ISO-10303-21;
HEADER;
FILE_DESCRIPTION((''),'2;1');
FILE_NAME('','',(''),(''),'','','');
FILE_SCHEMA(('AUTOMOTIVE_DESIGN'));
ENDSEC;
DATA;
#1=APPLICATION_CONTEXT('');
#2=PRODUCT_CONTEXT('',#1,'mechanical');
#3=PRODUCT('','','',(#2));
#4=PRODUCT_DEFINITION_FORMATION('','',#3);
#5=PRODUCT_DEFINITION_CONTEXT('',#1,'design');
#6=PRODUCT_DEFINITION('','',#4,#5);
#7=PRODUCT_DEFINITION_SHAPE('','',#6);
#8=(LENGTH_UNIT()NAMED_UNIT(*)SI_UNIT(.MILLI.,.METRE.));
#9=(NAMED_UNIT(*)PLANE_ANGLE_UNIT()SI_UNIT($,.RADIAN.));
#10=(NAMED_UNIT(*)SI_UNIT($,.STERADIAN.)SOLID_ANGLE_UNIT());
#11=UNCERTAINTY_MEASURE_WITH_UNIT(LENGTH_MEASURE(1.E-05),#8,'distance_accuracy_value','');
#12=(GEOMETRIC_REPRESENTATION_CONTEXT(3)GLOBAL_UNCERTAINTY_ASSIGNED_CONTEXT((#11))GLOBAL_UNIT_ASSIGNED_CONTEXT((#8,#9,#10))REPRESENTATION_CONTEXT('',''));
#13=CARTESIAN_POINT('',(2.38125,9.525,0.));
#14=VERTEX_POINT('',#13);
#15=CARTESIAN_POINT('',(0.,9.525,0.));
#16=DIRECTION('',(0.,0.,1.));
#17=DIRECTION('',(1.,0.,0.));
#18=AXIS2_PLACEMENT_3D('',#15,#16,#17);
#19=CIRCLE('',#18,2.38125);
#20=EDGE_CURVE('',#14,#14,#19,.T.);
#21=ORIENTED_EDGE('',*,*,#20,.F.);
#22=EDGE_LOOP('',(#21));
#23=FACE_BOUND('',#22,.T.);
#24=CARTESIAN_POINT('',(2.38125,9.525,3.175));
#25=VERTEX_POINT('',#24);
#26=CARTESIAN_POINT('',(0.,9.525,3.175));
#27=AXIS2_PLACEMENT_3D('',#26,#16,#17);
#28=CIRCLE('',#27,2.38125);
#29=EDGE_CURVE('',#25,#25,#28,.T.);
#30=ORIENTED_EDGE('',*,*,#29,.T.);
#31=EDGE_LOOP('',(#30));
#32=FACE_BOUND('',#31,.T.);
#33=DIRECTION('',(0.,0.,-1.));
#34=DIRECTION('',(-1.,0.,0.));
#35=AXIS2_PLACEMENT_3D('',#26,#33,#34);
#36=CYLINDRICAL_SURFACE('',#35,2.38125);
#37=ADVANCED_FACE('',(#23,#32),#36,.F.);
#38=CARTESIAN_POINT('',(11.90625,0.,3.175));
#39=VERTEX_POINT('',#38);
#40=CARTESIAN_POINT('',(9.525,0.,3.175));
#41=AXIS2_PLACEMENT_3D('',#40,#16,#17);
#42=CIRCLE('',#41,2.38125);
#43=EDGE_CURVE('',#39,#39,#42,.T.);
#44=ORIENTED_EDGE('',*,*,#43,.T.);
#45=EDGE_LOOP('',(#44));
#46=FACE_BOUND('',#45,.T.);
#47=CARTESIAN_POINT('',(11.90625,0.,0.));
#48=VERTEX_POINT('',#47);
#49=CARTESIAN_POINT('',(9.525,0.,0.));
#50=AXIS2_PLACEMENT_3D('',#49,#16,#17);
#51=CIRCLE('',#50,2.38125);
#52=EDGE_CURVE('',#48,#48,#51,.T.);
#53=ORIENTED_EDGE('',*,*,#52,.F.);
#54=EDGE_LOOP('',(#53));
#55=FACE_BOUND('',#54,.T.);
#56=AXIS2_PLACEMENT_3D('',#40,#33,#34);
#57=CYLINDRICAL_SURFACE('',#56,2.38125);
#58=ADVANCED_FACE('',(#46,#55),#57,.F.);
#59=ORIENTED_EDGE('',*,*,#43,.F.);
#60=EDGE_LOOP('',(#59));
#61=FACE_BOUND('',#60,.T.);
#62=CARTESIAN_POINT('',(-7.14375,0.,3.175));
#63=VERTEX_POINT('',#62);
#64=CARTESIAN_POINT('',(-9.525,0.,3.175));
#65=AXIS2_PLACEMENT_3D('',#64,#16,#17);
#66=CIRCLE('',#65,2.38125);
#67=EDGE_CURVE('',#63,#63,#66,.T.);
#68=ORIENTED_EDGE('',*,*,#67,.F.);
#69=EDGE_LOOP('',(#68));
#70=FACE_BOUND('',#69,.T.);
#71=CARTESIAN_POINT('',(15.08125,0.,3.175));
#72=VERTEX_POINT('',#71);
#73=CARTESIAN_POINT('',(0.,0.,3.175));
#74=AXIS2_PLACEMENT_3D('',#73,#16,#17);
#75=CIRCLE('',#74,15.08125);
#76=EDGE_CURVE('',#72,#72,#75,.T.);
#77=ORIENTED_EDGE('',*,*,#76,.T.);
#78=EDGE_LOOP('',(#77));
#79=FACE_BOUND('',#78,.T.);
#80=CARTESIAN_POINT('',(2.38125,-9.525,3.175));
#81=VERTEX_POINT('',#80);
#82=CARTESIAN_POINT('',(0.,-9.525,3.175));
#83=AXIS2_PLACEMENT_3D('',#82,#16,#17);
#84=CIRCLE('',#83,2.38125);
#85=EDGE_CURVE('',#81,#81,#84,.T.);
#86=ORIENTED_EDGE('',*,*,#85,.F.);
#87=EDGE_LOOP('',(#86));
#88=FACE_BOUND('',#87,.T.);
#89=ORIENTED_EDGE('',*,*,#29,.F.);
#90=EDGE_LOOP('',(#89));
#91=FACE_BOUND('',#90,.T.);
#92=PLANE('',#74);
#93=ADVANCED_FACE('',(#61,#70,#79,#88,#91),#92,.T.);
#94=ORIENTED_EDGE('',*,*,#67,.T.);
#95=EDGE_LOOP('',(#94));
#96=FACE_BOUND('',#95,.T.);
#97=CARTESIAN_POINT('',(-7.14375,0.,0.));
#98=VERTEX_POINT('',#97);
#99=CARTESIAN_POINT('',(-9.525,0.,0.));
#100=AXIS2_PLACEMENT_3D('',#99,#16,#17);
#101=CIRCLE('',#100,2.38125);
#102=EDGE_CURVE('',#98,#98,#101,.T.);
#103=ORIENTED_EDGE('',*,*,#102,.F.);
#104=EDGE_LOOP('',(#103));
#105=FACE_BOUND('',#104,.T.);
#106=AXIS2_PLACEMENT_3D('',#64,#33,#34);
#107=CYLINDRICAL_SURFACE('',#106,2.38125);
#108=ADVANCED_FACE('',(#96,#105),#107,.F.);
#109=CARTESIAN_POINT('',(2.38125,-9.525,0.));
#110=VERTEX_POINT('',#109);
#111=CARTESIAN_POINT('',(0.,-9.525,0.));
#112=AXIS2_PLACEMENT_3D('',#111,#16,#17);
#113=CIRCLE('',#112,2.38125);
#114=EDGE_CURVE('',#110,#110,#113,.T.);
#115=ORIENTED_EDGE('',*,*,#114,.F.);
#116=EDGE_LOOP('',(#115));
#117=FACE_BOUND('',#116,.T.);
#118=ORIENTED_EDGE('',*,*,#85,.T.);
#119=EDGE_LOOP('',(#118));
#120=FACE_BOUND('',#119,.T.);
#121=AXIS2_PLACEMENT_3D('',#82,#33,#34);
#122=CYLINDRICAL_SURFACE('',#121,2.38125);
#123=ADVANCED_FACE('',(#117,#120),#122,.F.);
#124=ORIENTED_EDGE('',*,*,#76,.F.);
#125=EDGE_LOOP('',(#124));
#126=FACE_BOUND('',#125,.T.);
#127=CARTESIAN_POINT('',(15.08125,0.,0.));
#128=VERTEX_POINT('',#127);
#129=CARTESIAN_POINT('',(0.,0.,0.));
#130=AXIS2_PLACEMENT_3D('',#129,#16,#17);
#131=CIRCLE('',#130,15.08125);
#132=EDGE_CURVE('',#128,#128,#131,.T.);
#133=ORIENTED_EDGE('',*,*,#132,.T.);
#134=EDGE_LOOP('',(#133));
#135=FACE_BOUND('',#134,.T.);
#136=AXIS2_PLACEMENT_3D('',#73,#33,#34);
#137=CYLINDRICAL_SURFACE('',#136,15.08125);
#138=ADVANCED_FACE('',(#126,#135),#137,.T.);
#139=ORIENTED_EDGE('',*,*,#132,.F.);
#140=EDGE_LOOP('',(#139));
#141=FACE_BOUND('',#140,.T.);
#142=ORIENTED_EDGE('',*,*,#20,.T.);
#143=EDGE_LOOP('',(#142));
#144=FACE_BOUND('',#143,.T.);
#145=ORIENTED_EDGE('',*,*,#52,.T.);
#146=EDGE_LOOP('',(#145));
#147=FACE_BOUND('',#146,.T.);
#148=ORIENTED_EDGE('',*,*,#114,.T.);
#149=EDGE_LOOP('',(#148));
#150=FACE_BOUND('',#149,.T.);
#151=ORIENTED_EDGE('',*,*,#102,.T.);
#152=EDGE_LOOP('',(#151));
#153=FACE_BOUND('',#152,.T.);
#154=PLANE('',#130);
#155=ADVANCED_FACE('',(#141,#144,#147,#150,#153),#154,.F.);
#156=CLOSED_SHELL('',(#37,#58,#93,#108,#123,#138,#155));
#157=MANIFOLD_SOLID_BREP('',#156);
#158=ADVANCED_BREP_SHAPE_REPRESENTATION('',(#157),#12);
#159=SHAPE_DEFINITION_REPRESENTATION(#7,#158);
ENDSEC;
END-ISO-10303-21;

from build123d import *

# Parameters (mm, degrees)
SKETCH1_R           = 15.08125
SKETCH1_R_2         = 2.38125
BOSS_EXTRUDE1_DEPTH = 3.175


with BuildPart() as part:
    # Sketch1 → Boss-Extrude1 (new body)
    with BuildSketch(Plane.XY):
        Circle(SKETCH1_R)
        with Locations((0, 9.525)):
            Circle(SKETCH1_R_2, mode=Mode.SUBTRACT)
        with Locations((9.525, 0)):
            Circle(SKETCH1_R_2, mode=Mode.SUBTRACT)
        with Locations((0, -9.525)):
            Circle(SKETCH1_R_2, mode=Mode.SUBTRACT)
        with Locations((-9.525, 0)):
            Circle(SKETCH1_R_2, mode=Mode.SUBTRACT)
    extrude(amount=BOSS_EXTRUDE1_DEPTH)


solid = part.part
